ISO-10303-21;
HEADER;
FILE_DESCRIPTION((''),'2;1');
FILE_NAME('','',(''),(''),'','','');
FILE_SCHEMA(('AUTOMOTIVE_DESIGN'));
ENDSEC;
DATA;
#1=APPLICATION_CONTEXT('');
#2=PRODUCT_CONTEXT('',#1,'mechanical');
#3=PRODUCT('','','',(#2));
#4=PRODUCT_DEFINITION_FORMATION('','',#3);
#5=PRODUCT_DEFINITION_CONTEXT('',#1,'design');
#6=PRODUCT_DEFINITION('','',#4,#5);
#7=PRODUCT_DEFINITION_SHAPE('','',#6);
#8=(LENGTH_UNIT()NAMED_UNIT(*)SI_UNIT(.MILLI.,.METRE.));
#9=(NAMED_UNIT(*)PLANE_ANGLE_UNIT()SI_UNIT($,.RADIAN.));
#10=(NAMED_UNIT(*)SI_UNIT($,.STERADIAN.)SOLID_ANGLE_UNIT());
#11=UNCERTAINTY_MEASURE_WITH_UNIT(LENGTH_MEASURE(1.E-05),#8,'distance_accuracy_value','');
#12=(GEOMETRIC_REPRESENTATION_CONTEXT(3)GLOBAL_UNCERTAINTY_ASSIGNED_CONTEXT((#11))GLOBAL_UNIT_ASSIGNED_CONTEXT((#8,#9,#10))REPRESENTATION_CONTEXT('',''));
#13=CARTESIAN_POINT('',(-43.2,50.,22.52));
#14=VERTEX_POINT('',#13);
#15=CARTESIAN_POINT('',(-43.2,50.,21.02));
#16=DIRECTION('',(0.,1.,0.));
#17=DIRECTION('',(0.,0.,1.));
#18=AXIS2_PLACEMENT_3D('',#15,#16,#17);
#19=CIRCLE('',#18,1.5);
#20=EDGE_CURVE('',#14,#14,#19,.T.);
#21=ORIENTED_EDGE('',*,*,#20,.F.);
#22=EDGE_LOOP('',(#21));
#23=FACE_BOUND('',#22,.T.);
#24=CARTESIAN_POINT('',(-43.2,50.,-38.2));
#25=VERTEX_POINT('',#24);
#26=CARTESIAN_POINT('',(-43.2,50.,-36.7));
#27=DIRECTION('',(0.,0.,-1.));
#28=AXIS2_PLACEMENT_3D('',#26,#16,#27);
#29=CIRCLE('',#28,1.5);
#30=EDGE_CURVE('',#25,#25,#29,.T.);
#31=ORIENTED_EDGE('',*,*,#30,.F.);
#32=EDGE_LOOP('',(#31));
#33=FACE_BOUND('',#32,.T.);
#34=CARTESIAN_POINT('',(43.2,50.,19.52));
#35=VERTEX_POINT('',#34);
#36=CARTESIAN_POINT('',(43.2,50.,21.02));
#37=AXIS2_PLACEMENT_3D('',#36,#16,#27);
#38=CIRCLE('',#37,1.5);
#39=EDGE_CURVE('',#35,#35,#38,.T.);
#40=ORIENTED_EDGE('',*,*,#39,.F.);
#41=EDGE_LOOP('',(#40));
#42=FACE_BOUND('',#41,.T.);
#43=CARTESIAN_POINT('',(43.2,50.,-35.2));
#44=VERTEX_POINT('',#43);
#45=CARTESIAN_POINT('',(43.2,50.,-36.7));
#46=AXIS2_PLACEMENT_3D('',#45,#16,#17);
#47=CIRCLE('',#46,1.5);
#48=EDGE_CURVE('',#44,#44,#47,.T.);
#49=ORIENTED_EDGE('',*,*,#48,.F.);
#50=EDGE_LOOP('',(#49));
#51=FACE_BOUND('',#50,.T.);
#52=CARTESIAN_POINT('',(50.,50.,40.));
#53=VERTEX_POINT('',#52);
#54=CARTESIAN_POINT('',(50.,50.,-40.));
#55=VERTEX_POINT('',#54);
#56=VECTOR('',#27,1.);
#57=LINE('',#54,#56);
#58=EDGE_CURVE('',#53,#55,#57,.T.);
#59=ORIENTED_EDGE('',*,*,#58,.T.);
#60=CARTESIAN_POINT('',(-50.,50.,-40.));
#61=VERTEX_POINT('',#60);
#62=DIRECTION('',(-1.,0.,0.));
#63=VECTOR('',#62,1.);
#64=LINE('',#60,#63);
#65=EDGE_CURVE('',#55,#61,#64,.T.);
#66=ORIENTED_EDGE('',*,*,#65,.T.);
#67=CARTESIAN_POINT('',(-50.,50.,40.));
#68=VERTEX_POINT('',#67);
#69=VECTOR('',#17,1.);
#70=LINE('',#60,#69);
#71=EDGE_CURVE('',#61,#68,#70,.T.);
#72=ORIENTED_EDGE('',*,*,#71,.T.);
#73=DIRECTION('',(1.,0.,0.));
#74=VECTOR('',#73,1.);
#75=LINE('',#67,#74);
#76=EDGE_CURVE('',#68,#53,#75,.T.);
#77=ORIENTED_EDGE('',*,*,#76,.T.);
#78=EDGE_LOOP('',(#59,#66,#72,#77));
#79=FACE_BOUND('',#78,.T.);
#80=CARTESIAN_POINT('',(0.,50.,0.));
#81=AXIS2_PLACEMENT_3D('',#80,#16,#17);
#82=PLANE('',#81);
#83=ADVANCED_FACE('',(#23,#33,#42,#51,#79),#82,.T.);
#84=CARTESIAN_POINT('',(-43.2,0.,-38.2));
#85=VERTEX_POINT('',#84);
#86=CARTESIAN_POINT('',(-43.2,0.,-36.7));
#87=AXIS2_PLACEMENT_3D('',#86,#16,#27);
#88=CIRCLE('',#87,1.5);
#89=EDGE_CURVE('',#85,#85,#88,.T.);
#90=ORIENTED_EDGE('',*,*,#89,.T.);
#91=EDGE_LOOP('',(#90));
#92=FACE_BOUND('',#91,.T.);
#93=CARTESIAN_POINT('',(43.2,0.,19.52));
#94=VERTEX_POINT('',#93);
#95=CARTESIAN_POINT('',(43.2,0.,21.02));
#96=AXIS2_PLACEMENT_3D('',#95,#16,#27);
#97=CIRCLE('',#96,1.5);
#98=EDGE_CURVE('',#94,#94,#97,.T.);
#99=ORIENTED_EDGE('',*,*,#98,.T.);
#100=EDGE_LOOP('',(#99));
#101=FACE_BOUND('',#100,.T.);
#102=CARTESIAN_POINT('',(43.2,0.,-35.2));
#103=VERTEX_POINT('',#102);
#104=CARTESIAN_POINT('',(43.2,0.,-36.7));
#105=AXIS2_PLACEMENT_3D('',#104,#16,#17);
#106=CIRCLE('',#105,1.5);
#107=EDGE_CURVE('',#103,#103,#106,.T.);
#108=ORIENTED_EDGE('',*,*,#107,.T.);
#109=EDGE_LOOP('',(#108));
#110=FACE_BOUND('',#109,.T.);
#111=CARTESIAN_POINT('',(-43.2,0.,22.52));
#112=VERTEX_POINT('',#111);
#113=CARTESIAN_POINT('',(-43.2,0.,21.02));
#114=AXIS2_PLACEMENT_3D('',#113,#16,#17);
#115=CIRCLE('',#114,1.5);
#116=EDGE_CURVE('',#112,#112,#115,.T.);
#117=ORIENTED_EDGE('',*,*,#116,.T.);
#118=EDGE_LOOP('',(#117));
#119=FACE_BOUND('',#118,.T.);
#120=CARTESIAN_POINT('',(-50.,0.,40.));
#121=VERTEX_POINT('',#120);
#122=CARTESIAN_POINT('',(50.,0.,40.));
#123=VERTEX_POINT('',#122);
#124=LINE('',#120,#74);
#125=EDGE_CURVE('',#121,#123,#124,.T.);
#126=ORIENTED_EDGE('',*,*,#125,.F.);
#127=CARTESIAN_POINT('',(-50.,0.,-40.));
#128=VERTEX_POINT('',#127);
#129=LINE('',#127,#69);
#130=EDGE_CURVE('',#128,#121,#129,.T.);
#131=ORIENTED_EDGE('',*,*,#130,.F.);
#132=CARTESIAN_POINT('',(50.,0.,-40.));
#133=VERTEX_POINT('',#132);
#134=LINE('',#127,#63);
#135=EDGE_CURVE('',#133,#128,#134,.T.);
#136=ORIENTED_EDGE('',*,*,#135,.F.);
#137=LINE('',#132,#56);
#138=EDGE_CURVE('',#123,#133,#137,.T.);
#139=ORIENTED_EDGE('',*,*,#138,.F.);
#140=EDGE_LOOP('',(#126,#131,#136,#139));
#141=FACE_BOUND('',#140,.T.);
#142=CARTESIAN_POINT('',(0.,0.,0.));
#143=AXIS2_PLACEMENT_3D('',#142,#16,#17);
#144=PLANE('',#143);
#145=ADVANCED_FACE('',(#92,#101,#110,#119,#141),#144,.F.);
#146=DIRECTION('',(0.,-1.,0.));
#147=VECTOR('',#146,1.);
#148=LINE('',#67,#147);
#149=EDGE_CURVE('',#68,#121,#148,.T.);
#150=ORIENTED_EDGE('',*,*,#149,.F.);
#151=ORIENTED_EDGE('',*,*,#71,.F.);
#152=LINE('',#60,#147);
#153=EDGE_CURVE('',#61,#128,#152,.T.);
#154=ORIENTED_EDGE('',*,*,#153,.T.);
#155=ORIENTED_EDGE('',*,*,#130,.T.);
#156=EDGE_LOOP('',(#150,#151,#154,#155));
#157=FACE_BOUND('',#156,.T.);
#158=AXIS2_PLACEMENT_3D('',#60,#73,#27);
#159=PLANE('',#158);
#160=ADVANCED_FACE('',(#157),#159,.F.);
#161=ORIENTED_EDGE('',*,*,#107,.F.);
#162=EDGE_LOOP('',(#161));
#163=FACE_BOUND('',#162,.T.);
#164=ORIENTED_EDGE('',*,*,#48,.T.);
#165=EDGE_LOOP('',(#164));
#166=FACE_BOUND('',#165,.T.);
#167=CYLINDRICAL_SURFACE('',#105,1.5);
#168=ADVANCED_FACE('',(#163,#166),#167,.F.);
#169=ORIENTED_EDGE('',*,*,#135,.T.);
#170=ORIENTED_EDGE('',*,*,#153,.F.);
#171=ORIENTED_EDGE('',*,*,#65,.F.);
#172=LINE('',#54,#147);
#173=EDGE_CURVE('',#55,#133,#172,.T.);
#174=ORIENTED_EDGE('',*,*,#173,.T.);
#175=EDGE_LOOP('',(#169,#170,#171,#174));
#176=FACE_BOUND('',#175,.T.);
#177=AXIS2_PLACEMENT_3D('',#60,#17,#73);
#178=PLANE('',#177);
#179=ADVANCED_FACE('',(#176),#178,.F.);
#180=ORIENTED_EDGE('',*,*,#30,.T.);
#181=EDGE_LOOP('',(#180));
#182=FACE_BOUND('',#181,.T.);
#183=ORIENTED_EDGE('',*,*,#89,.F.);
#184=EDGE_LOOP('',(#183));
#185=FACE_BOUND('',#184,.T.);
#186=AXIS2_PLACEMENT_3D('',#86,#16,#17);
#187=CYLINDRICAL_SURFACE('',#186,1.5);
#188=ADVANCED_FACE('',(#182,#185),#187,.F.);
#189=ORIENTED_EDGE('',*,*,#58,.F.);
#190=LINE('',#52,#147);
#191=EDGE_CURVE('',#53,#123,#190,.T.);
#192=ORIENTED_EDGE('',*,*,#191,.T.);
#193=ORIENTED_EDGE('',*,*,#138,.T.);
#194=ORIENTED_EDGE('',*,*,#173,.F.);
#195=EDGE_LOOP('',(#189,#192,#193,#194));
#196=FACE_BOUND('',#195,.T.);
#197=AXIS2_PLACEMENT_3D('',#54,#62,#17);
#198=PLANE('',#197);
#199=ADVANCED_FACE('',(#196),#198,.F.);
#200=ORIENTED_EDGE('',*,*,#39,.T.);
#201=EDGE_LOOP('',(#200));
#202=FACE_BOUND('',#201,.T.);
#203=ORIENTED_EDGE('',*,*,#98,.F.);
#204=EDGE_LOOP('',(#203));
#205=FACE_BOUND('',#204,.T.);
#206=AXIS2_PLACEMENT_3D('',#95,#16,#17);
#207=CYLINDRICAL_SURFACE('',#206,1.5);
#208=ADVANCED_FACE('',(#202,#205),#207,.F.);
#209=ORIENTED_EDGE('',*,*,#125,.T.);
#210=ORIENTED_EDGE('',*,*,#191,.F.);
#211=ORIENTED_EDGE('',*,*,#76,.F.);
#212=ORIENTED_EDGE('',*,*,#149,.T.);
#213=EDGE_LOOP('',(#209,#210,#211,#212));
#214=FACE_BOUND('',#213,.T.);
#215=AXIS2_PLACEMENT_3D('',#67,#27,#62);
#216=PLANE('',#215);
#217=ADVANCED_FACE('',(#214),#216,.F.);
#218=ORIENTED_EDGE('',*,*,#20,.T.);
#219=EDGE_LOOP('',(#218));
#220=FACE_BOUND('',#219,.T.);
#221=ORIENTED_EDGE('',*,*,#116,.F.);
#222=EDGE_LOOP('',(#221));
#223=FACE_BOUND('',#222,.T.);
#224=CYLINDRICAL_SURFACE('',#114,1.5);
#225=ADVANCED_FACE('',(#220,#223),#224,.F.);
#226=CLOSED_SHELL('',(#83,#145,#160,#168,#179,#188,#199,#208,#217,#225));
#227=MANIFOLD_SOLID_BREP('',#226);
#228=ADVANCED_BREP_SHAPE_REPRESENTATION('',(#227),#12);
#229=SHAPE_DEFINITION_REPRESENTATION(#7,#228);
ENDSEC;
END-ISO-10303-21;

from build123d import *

# Parameters (mm, degrees)
SKETCH_1_W          = 100
SKETCH_1_H          = 80
EXTRUDE_1_DEPTH     = 50
SKETCH_2_R          = 1.5
CUT_EXTRUDE_1_DEPTH = 50


with BuildPart() as part:
    # 草图1 → 凸台-拉伸1 (new body)
    with BuildSketch(Plane(origin=(0, 0, 0), x_dir=(1, 0, 0), z_dir=(0, 1, 0))):
        Rectangle(SKETCH_1_W, SKETCH_1_H)
    extrude(amount=EXTRUDE_1_DEPTH)

    # 草图2 → 切除-拉伸1 (cut)
    with BuildSketch(Plane(origin=(0, 50, 0), x_dir=(1, 0, 0), z_dir=(0, 1, 0))):
        with Locations(Location((43.2, 36.7, 0), (0, 0, 270))):
            Circle(SKETCH_2_R)
        with Locations(Location((-43.2, 36.7, 0), (0, 0, 90))):
            Circle(SKETCH_2_R)
        with Locations(Location((43.2, -21.02, 0), (0, 0, 90))):
            Circle(SKETCH_2_R)
        with Locations(Location((-43.2, -21.02, 0), (0, 0, 270))):
            Circle(SKETCH_2_R)
    extrude(amount=-CUT_EXTRUDE_1_DEPTH, mode=Mode.SUBTRACT)


solid = part.part
